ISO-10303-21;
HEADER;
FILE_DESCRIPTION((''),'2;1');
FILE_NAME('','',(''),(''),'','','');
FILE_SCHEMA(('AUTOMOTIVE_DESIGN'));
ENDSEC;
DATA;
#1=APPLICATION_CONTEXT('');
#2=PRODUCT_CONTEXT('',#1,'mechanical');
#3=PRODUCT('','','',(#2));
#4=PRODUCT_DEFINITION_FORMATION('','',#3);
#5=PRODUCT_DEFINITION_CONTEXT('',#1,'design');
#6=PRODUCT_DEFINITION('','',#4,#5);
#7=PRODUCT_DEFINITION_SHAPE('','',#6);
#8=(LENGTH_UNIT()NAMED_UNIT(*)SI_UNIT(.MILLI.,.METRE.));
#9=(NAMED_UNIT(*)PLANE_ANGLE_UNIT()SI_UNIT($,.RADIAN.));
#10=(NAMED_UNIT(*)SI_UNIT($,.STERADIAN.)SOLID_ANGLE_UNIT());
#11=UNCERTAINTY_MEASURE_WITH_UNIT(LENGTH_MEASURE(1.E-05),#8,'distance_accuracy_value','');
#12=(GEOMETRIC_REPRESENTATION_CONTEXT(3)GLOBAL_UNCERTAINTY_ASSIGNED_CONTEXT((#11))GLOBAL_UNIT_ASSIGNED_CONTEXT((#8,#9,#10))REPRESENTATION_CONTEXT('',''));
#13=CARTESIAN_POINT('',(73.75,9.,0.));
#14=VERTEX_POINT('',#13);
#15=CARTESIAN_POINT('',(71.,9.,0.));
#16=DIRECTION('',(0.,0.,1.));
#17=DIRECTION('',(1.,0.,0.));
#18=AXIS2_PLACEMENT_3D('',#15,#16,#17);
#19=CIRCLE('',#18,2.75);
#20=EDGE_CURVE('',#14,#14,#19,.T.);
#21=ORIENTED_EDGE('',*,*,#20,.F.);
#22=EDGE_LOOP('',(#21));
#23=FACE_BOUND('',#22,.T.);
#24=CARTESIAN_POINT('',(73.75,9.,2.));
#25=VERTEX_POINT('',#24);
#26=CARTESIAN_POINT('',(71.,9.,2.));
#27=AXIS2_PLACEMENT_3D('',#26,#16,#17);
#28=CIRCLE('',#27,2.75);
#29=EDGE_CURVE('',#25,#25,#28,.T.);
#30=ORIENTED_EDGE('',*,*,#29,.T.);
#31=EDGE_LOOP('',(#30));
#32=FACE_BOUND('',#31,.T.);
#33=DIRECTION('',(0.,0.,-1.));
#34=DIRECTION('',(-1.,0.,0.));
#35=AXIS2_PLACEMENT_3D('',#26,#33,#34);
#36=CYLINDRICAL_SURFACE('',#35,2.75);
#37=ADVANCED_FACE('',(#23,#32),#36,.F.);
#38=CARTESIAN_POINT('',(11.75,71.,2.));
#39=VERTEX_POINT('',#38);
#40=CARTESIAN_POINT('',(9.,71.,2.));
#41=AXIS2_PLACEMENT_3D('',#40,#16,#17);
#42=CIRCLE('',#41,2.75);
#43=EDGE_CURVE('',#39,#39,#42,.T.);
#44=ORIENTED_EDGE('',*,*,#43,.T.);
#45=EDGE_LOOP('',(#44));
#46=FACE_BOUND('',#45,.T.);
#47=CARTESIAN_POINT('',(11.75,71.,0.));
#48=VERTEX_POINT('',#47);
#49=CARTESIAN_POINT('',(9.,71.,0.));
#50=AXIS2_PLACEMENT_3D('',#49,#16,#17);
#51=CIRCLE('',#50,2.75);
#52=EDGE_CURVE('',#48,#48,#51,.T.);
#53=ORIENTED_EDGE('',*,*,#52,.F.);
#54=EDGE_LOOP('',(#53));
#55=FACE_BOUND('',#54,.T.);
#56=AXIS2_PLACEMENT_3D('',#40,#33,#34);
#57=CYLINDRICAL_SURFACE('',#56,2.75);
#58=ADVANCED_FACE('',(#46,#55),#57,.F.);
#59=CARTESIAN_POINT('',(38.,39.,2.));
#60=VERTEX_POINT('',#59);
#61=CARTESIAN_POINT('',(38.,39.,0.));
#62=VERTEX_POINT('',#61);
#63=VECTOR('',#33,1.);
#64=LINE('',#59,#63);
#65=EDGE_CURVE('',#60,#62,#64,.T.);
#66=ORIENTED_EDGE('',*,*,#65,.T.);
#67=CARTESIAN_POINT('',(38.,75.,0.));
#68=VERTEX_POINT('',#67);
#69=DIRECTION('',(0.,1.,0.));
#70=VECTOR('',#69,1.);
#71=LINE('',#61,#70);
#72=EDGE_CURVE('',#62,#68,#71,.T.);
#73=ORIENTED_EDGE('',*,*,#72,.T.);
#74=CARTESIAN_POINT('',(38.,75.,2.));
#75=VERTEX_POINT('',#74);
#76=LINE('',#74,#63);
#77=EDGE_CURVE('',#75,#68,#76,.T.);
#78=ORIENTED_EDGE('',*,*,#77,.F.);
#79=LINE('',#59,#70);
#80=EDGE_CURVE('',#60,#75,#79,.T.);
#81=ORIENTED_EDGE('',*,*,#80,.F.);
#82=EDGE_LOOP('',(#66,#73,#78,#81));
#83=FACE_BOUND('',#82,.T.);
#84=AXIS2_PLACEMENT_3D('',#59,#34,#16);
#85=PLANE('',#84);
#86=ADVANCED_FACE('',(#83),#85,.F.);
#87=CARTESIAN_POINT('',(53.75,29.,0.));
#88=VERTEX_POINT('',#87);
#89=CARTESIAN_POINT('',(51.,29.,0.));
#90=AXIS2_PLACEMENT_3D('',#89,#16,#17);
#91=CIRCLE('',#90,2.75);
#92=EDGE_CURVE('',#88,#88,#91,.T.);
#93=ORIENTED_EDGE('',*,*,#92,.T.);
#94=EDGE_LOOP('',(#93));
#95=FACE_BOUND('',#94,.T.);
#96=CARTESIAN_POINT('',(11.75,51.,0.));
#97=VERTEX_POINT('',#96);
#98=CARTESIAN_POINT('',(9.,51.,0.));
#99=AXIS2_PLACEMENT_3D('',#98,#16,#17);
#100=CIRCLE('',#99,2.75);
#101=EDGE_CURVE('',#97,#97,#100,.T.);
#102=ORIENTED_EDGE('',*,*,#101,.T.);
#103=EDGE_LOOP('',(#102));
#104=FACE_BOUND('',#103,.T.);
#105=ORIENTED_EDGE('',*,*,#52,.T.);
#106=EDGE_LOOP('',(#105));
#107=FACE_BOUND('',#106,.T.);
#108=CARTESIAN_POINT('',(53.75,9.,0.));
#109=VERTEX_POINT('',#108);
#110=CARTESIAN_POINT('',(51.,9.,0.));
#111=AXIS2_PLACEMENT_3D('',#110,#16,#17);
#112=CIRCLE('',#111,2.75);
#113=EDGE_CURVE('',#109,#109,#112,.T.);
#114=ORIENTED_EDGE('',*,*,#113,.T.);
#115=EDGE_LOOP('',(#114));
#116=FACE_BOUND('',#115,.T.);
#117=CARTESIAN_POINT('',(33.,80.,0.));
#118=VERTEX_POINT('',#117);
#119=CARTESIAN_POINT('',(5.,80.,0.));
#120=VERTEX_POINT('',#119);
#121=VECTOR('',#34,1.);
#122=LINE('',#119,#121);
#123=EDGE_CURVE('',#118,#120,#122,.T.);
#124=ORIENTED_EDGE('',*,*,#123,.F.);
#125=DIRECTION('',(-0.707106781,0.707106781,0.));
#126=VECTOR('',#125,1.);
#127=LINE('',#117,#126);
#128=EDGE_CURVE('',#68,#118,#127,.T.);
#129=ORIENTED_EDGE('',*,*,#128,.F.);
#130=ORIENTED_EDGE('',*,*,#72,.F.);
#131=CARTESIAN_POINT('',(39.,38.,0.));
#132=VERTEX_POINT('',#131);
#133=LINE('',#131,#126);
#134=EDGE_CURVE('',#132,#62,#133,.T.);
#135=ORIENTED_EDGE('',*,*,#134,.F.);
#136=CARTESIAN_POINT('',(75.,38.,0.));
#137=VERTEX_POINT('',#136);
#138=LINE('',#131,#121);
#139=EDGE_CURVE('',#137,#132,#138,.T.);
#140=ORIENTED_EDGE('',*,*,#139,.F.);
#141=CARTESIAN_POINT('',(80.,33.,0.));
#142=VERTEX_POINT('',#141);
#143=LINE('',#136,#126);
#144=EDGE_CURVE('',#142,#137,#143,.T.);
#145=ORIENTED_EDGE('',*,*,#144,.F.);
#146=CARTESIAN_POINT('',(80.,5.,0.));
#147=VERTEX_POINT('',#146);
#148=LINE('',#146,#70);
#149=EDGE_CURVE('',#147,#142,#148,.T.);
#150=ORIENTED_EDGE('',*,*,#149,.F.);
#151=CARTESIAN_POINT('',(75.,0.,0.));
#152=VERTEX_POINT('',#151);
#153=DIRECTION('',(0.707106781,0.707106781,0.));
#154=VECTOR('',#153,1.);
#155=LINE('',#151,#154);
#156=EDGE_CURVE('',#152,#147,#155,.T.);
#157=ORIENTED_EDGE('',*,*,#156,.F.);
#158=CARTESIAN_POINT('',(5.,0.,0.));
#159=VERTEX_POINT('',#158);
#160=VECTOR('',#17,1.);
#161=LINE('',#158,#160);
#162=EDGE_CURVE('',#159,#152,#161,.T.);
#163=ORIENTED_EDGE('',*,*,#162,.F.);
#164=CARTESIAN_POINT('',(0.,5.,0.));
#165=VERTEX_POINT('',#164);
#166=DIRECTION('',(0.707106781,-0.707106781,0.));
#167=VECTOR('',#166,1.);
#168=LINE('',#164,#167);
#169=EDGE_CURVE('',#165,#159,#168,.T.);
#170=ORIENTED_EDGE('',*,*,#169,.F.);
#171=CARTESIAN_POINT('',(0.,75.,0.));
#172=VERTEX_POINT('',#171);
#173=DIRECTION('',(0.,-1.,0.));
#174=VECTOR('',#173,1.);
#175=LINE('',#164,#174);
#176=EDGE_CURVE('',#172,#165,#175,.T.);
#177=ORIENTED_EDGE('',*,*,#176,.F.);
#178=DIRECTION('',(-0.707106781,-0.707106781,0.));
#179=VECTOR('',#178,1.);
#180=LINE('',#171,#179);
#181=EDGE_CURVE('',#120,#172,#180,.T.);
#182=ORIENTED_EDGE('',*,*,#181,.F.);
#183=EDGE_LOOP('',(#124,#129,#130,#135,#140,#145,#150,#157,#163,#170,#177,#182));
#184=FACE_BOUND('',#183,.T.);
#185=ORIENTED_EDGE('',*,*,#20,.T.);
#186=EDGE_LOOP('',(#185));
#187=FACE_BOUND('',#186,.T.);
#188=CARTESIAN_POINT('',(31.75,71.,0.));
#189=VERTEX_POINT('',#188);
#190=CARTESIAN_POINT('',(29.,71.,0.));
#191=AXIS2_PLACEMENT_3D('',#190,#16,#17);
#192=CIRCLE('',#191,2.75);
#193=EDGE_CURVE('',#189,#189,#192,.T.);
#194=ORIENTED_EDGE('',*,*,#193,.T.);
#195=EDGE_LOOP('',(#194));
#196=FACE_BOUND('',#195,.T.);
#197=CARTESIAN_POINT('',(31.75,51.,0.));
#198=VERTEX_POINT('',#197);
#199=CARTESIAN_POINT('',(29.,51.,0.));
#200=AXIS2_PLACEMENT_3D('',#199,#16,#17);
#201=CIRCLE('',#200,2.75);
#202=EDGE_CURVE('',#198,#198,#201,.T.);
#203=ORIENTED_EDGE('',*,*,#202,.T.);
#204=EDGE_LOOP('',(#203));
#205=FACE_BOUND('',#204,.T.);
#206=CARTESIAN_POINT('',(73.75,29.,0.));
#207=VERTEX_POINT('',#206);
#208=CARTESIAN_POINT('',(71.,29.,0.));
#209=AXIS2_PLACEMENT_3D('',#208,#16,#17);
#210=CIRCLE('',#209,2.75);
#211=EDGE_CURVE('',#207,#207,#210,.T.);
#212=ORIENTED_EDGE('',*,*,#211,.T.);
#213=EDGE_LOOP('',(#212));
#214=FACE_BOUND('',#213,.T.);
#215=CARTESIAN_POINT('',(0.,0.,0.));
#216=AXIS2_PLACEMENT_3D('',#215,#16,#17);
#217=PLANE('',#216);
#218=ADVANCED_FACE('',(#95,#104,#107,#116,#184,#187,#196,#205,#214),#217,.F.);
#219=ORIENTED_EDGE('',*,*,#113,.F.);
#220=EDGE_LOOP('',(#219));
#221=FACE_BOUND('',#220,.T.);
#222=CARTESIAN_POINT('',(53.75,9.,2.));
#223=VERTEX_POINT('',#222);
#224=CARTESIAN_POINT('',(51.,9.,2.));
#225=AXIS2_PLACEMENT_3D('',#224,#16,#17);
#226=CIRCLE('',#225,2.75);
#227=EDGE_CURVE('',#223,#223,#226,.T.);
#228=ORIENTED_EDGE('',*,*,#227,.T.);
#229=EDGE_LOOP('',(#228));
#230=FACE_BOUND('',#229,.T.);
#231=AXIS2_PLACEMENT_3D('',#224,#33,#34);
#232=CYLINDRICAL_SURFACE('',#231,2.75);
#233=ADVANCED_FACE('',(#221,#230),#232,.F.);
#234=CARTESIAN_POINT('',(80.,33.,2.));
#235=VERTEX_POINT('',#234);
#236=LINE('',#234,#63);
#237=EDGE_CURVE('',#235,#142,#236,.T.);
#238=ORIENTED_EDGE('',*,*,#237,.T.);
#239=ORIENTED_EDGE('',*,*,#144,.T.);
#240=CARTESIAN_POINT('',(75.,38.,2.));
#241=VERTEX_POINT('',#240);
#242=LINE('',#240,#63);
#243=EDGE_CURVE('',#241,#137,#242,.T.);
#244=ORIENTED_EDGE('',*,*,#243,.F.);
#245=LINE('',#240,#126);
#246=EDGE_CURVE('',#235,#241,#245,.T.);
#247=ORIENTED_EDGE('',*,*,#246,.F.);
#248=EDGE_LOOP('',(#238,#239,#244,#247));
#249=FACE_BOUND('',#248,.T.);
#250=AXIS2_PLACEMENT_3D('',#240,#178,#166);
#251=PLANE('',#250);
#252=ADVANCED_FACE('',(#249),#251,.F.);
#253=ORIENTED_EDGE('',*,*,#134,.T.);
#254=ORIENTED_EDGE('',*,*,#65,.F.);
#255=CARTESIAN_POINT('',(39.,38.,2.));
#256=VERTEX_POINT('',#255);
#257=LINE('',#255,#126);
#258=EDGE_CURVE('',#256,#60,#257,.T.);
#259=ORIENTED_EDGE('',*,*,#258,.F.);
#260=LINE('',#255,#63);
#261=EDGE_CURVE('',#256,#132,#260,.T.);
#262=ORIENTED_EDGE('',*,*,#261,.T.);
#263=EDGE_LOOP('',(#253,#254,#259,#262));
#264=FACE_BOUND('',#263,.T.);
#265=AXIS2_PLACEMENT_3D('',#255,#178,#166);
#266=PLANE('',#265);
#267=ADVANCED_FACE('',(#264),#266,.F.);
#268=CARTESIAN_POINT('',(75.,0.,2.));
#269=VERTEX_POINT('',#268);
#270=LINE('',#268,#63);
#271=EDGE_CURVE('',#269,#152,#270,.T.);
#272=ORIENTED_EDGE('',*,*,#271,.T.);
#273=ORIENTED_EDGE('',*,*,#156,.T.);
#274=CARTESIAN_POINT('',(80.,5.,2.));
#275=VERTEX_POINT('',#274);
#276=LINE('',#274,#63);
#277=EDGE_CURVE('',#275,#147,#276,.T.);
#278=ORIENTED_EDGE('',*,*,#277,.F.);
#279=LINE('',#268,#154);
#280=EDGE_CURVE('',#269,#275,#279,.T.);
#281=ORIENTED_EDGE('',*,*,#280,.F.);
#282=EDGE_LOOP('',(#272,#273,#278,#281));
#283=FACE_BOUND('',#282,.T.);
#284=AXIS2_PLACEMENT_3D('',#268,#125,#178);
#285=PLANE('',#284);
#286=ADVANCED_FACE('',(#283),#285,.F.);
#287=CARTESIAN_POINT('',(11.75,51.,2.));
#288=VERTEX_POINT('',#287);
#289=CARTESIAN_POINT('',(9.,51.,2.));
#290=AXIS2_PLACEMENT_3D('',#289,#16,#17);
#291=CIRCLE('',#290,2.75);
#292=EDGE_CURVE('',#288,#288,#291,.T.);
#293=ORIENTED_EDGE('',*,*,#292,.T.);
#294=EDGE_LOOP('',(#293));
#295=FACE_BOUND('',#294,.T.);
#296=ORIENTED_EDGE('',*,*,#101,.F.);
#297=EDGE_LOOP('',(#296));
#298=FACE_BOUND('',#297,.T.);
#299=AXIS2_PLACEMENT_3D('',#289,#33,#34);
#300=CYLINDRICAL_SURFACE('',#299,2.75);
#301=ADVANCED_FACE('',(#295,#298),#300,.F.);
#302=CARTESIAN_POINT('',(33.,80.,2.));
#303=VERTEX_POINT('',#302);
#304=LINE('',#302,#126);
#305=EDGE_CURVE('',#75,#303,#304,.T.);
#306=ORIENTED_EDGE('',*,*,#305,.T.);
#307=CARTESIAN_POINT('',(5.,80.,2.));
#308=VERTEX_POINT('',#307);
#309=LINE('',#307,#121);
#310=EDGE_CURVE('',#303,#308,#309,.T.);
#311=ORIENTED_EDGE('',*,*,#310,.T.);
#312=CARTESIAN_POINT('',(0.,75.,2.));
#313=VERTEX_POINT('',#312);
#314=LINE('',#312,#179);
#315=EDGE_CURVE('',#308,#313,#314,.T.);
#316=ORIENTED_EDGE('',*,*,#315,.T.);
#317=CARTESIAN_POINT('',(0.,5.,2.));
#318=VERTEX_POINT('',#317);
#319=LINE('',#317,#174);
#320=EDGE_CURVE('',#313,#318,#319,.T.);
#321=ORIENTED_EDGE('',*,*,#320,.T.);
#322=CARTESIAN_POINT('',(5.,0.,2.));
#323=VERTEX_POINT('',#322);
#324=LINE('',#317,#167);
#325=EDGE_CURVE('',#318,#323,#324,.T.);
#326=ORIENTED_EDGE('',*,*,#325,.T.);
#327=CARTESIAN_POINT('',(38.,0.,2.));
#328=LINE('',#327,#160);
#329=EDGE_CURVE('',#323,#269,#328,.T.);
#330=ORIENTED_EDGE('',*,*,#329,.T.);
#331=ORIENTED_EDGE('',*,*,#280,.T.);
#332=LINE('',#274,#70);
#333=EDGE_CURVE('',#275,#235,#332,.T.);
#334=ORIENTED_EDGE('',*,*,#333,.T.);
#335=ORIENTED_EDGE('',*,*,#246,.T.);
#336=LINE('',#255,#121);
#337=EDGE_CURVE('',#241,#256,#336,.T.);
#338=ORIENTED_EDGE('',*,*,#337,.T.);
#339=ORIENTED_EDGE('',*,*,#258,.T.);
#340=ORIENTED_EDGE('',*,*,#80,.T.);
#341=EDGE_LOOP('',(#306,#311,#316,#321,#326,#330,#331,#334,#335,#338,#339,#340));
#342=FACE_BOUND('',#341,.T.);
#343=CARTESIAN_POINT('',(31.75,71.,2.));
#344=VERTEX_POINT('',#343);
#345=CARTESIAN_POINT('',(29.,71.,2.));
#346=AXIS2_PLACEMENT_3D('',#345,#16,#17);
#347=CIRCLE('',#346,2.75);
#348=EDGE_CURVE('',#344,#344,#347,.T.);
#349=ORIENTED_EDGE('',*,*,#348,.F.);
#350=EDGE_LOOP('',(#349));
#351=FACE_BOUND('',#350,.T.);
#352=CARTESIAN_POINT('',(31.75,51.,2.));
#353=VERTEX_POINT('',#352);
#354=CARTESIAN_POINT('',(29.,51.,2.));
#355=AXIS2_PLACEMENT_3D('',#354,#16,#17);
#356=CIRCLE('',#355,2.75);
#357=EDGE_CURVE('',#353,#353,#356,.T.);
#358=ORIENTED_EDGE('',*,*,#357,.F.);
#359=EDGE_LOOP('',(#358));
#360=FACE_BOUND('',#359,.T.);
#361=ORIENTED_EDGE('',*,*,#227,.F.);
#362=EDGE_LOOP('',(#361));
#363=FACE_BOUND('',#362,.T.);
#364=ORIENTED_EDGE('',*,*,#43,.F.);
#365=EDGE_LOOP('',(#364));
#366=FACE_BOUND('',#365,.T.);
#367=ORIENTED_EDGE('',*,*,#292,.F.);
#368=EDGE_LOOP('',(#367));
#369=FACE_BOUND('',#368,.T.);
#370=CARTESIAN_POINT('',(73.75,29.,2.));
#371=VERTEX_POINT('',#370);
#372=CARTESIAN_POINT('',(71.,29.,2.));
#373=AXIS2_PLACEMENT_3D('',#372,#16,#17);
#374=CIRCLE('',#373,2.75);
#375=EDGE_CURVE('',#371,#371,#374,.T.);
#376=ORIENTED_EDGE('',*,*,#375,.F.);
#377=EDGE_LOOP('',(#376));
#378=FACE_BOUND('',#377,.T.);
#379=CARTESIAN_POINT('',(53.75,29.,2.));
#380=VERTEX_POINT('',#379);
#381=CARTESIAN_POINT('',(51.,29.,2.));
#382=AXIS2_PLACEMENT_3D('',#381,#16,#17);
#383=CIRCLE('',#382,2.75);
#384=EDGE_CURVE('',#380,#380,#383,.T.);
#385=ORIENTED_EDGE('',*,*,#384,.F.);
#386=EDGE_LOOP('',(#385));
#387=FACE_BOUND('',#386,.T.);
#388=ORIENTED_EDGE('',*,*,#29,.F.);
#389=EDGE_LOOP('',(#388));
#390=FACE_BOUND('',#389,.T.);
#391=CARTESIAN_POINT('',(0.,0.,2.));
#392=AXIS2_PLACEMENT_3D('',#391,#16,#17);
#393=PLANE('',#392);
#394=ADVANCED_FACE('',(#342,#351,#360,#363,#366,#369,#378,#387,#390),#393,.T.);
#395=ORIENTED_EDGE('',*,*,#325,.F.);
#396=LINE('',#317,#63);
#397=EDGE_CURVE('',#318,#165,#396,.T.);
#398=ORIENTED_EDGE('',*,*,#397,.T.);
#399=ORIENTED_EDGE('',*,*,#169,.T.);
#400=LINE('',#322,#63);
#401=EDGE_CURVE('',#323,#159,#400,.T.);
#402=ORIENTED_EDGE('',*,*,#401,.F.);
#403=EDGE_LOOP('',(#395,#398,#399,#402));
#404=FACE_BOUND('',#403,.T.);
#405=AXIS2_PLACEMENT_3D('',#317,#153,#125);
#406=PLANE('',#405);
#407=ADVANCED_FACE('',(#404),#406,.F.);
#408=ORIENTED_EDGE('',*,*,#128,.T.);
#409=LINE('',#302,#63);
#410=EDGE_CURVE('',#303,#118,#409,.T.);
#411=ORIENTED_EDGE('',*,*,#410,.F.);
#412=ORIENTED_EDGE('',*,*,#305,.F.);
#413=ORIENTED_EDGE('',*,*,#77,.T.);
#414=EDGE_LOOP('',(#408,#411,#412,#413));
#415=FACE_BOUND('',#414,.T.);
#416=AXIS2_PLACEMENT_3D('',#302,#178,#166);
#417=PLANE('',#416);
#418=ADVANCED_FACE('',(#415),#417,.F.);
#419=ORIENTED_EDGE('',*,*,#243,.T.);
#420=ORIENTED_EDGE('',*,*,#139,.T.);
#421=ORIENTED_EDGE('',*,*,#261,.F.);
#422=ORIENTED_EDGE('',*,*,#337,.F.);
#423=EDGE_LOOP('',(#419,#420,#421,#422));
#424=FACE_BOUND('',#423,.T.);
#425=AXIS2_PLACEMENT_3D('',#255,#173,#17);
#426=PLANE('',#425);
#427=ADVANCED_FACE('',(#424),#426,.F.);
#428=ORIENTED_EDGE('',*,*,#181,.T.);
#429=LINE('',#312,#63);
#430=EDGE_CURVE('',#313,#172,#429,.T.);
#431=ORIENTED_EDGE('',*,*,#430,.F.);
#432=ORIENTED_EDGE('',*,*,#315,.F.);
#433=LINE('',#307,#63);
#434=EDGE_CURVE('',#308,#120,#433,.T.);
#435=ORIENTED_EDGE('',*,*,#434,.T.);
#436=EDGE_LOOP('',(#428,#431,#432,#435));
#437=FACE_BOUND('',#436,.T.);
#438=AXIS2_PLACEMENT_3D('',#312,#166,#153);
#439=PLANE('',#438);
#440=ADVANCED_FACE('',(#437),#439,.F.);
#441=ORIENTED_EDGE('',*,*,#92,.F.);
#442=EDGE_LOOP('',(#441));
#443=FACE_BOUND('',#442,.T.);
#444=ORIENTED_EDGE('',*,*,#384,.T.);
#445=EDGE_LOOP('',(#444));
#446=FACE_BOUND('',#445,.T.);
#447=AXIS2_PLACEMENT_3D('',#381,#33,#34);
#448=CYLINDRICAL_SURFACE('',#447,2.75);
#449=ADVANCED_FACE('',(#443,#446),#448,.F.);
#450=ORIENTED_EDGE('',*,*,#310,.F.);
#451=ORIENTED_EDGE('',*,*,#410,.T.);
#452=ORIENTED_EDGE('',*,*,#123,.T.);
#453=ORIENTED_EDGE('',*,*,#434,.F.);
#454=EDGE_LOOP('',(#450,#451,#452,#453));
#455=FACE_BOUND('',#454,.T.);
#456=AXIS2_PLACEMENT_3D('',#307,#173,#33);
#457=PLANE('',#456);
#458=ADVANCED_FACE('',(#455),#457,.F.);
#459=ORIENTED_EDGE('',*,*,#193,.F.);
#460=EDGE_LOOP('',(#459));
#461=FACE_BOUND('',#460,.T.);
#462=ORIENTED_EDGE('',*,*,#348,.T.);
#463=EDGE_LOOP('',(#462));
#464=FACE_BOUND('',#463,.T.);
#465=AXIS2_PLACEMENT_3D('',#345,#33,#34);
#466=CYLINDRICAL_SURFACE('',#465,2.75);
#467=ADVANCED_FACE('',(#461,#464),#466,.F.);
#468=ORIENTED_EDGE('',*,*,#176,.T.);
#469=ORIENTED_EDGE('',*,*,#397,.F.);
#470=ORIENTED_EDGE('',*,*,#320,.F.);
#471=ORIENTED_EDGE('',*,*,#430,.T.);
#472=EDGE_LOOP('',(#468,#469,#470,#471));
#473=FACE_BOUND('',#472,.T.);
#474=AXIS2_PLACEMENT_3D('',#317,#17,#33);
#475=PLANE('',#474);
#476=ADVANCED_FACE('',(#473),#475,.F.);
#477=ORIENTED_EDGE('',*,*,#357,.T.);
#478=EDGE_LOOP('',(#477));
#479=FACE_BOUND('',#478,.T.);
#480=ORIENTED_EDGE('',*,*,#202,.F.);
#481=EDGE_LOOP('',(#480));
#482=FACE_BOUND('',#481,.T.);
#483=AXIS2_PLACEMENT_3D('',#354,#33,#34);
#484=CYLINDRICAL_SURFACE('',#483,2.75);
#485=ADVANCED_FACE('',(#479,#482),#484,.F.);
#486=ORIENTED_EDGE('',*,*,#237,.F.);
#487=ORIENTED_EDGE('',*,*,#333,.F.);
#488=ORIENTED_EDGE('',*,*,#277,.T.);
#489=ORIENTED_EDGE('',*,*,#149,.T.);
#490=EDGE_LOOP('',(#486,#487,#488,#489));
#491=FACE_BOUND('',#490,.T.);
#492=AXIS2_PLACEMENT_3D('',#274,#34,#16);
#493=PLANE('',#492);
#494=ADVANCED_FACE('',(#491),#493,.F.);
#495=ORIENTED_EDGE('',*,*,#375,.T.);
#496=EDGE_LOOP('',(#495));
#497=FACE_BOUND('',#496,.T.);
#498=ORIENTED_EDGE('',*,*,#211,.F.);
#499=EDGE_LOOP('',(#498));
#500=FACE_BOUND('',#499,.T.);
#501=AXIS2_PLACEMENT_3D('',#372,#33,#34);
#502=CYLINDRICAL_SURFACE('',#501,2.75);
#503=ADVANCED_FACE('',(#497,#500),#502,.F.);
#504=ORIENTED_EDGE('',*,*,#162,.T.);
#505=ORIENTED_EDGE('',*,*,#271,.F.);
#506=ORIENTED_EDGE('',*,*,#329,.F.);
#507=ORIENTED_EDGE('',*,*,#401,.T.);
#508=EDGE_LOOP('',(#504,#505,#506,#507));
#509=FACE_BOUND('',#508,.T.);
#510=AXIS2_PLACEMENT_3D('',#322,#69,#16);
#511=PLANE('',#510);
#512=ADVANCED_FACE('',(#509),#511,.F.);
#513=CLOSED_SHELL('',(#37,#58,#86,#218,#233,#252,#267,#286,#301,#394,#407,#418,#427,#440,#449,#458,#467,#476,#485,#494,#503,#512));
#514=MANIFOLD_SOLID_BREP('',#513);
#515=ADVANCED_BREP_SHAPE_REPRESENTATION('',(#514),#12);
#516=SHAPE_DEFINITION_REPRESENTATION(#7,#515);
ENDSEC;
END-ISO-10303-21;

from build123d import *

# Parameters (mm, degrees)
SKETCH1_R           = 2.75
BOSS_EXTRUDE1_DEPTH = 2


with BuildPart() as part:
    # Sketch1 → Boss-Extrude1 (new body)
    with BuildSketch(Plane.XY):
        Polygon((5, 0), (38, 0), (75, 0), (80, 5), (80, 33), (75, 38), (39, 38), (38, 39), (38, 75), (33, 80), (5, 80), (0, 75), (0, 5), align=None)
        with Locations((9, 71)):
            Circle(SKETCH1_R, mode=Mode.SUBTRACT)
        with Locations((29, 71)):
            Circle(SKETCH1_R, mode=Mode.SUBTRACT)
        with Locations((29, 51)):
            Circle(SKETCH1_R, mode=Mode.SUBTRACT)
        with Locations((9, 51)):
            Circle(SKETCH1_R, mode=Mode.SUBTRACT)
        with Locations((51, 29)):
            Circle(SKETCH1_R, mode=Mode.SUBTRACT)
        with Locations((71, 29)):
            Circle(SKETCH1_R, mode=Mode.SUBTRACT)
        with Locations((71, 9)):
            Circle(SKETCH1_R, mode=Mode.SUBTRACT)
        with Locations((51, 9)):
            Circle(SKETCH1_R, mode=Mode.SUBTRACT)
    extrude(amount=BOSS_EXTRUDE1_DEPTH)


solid = part.part
